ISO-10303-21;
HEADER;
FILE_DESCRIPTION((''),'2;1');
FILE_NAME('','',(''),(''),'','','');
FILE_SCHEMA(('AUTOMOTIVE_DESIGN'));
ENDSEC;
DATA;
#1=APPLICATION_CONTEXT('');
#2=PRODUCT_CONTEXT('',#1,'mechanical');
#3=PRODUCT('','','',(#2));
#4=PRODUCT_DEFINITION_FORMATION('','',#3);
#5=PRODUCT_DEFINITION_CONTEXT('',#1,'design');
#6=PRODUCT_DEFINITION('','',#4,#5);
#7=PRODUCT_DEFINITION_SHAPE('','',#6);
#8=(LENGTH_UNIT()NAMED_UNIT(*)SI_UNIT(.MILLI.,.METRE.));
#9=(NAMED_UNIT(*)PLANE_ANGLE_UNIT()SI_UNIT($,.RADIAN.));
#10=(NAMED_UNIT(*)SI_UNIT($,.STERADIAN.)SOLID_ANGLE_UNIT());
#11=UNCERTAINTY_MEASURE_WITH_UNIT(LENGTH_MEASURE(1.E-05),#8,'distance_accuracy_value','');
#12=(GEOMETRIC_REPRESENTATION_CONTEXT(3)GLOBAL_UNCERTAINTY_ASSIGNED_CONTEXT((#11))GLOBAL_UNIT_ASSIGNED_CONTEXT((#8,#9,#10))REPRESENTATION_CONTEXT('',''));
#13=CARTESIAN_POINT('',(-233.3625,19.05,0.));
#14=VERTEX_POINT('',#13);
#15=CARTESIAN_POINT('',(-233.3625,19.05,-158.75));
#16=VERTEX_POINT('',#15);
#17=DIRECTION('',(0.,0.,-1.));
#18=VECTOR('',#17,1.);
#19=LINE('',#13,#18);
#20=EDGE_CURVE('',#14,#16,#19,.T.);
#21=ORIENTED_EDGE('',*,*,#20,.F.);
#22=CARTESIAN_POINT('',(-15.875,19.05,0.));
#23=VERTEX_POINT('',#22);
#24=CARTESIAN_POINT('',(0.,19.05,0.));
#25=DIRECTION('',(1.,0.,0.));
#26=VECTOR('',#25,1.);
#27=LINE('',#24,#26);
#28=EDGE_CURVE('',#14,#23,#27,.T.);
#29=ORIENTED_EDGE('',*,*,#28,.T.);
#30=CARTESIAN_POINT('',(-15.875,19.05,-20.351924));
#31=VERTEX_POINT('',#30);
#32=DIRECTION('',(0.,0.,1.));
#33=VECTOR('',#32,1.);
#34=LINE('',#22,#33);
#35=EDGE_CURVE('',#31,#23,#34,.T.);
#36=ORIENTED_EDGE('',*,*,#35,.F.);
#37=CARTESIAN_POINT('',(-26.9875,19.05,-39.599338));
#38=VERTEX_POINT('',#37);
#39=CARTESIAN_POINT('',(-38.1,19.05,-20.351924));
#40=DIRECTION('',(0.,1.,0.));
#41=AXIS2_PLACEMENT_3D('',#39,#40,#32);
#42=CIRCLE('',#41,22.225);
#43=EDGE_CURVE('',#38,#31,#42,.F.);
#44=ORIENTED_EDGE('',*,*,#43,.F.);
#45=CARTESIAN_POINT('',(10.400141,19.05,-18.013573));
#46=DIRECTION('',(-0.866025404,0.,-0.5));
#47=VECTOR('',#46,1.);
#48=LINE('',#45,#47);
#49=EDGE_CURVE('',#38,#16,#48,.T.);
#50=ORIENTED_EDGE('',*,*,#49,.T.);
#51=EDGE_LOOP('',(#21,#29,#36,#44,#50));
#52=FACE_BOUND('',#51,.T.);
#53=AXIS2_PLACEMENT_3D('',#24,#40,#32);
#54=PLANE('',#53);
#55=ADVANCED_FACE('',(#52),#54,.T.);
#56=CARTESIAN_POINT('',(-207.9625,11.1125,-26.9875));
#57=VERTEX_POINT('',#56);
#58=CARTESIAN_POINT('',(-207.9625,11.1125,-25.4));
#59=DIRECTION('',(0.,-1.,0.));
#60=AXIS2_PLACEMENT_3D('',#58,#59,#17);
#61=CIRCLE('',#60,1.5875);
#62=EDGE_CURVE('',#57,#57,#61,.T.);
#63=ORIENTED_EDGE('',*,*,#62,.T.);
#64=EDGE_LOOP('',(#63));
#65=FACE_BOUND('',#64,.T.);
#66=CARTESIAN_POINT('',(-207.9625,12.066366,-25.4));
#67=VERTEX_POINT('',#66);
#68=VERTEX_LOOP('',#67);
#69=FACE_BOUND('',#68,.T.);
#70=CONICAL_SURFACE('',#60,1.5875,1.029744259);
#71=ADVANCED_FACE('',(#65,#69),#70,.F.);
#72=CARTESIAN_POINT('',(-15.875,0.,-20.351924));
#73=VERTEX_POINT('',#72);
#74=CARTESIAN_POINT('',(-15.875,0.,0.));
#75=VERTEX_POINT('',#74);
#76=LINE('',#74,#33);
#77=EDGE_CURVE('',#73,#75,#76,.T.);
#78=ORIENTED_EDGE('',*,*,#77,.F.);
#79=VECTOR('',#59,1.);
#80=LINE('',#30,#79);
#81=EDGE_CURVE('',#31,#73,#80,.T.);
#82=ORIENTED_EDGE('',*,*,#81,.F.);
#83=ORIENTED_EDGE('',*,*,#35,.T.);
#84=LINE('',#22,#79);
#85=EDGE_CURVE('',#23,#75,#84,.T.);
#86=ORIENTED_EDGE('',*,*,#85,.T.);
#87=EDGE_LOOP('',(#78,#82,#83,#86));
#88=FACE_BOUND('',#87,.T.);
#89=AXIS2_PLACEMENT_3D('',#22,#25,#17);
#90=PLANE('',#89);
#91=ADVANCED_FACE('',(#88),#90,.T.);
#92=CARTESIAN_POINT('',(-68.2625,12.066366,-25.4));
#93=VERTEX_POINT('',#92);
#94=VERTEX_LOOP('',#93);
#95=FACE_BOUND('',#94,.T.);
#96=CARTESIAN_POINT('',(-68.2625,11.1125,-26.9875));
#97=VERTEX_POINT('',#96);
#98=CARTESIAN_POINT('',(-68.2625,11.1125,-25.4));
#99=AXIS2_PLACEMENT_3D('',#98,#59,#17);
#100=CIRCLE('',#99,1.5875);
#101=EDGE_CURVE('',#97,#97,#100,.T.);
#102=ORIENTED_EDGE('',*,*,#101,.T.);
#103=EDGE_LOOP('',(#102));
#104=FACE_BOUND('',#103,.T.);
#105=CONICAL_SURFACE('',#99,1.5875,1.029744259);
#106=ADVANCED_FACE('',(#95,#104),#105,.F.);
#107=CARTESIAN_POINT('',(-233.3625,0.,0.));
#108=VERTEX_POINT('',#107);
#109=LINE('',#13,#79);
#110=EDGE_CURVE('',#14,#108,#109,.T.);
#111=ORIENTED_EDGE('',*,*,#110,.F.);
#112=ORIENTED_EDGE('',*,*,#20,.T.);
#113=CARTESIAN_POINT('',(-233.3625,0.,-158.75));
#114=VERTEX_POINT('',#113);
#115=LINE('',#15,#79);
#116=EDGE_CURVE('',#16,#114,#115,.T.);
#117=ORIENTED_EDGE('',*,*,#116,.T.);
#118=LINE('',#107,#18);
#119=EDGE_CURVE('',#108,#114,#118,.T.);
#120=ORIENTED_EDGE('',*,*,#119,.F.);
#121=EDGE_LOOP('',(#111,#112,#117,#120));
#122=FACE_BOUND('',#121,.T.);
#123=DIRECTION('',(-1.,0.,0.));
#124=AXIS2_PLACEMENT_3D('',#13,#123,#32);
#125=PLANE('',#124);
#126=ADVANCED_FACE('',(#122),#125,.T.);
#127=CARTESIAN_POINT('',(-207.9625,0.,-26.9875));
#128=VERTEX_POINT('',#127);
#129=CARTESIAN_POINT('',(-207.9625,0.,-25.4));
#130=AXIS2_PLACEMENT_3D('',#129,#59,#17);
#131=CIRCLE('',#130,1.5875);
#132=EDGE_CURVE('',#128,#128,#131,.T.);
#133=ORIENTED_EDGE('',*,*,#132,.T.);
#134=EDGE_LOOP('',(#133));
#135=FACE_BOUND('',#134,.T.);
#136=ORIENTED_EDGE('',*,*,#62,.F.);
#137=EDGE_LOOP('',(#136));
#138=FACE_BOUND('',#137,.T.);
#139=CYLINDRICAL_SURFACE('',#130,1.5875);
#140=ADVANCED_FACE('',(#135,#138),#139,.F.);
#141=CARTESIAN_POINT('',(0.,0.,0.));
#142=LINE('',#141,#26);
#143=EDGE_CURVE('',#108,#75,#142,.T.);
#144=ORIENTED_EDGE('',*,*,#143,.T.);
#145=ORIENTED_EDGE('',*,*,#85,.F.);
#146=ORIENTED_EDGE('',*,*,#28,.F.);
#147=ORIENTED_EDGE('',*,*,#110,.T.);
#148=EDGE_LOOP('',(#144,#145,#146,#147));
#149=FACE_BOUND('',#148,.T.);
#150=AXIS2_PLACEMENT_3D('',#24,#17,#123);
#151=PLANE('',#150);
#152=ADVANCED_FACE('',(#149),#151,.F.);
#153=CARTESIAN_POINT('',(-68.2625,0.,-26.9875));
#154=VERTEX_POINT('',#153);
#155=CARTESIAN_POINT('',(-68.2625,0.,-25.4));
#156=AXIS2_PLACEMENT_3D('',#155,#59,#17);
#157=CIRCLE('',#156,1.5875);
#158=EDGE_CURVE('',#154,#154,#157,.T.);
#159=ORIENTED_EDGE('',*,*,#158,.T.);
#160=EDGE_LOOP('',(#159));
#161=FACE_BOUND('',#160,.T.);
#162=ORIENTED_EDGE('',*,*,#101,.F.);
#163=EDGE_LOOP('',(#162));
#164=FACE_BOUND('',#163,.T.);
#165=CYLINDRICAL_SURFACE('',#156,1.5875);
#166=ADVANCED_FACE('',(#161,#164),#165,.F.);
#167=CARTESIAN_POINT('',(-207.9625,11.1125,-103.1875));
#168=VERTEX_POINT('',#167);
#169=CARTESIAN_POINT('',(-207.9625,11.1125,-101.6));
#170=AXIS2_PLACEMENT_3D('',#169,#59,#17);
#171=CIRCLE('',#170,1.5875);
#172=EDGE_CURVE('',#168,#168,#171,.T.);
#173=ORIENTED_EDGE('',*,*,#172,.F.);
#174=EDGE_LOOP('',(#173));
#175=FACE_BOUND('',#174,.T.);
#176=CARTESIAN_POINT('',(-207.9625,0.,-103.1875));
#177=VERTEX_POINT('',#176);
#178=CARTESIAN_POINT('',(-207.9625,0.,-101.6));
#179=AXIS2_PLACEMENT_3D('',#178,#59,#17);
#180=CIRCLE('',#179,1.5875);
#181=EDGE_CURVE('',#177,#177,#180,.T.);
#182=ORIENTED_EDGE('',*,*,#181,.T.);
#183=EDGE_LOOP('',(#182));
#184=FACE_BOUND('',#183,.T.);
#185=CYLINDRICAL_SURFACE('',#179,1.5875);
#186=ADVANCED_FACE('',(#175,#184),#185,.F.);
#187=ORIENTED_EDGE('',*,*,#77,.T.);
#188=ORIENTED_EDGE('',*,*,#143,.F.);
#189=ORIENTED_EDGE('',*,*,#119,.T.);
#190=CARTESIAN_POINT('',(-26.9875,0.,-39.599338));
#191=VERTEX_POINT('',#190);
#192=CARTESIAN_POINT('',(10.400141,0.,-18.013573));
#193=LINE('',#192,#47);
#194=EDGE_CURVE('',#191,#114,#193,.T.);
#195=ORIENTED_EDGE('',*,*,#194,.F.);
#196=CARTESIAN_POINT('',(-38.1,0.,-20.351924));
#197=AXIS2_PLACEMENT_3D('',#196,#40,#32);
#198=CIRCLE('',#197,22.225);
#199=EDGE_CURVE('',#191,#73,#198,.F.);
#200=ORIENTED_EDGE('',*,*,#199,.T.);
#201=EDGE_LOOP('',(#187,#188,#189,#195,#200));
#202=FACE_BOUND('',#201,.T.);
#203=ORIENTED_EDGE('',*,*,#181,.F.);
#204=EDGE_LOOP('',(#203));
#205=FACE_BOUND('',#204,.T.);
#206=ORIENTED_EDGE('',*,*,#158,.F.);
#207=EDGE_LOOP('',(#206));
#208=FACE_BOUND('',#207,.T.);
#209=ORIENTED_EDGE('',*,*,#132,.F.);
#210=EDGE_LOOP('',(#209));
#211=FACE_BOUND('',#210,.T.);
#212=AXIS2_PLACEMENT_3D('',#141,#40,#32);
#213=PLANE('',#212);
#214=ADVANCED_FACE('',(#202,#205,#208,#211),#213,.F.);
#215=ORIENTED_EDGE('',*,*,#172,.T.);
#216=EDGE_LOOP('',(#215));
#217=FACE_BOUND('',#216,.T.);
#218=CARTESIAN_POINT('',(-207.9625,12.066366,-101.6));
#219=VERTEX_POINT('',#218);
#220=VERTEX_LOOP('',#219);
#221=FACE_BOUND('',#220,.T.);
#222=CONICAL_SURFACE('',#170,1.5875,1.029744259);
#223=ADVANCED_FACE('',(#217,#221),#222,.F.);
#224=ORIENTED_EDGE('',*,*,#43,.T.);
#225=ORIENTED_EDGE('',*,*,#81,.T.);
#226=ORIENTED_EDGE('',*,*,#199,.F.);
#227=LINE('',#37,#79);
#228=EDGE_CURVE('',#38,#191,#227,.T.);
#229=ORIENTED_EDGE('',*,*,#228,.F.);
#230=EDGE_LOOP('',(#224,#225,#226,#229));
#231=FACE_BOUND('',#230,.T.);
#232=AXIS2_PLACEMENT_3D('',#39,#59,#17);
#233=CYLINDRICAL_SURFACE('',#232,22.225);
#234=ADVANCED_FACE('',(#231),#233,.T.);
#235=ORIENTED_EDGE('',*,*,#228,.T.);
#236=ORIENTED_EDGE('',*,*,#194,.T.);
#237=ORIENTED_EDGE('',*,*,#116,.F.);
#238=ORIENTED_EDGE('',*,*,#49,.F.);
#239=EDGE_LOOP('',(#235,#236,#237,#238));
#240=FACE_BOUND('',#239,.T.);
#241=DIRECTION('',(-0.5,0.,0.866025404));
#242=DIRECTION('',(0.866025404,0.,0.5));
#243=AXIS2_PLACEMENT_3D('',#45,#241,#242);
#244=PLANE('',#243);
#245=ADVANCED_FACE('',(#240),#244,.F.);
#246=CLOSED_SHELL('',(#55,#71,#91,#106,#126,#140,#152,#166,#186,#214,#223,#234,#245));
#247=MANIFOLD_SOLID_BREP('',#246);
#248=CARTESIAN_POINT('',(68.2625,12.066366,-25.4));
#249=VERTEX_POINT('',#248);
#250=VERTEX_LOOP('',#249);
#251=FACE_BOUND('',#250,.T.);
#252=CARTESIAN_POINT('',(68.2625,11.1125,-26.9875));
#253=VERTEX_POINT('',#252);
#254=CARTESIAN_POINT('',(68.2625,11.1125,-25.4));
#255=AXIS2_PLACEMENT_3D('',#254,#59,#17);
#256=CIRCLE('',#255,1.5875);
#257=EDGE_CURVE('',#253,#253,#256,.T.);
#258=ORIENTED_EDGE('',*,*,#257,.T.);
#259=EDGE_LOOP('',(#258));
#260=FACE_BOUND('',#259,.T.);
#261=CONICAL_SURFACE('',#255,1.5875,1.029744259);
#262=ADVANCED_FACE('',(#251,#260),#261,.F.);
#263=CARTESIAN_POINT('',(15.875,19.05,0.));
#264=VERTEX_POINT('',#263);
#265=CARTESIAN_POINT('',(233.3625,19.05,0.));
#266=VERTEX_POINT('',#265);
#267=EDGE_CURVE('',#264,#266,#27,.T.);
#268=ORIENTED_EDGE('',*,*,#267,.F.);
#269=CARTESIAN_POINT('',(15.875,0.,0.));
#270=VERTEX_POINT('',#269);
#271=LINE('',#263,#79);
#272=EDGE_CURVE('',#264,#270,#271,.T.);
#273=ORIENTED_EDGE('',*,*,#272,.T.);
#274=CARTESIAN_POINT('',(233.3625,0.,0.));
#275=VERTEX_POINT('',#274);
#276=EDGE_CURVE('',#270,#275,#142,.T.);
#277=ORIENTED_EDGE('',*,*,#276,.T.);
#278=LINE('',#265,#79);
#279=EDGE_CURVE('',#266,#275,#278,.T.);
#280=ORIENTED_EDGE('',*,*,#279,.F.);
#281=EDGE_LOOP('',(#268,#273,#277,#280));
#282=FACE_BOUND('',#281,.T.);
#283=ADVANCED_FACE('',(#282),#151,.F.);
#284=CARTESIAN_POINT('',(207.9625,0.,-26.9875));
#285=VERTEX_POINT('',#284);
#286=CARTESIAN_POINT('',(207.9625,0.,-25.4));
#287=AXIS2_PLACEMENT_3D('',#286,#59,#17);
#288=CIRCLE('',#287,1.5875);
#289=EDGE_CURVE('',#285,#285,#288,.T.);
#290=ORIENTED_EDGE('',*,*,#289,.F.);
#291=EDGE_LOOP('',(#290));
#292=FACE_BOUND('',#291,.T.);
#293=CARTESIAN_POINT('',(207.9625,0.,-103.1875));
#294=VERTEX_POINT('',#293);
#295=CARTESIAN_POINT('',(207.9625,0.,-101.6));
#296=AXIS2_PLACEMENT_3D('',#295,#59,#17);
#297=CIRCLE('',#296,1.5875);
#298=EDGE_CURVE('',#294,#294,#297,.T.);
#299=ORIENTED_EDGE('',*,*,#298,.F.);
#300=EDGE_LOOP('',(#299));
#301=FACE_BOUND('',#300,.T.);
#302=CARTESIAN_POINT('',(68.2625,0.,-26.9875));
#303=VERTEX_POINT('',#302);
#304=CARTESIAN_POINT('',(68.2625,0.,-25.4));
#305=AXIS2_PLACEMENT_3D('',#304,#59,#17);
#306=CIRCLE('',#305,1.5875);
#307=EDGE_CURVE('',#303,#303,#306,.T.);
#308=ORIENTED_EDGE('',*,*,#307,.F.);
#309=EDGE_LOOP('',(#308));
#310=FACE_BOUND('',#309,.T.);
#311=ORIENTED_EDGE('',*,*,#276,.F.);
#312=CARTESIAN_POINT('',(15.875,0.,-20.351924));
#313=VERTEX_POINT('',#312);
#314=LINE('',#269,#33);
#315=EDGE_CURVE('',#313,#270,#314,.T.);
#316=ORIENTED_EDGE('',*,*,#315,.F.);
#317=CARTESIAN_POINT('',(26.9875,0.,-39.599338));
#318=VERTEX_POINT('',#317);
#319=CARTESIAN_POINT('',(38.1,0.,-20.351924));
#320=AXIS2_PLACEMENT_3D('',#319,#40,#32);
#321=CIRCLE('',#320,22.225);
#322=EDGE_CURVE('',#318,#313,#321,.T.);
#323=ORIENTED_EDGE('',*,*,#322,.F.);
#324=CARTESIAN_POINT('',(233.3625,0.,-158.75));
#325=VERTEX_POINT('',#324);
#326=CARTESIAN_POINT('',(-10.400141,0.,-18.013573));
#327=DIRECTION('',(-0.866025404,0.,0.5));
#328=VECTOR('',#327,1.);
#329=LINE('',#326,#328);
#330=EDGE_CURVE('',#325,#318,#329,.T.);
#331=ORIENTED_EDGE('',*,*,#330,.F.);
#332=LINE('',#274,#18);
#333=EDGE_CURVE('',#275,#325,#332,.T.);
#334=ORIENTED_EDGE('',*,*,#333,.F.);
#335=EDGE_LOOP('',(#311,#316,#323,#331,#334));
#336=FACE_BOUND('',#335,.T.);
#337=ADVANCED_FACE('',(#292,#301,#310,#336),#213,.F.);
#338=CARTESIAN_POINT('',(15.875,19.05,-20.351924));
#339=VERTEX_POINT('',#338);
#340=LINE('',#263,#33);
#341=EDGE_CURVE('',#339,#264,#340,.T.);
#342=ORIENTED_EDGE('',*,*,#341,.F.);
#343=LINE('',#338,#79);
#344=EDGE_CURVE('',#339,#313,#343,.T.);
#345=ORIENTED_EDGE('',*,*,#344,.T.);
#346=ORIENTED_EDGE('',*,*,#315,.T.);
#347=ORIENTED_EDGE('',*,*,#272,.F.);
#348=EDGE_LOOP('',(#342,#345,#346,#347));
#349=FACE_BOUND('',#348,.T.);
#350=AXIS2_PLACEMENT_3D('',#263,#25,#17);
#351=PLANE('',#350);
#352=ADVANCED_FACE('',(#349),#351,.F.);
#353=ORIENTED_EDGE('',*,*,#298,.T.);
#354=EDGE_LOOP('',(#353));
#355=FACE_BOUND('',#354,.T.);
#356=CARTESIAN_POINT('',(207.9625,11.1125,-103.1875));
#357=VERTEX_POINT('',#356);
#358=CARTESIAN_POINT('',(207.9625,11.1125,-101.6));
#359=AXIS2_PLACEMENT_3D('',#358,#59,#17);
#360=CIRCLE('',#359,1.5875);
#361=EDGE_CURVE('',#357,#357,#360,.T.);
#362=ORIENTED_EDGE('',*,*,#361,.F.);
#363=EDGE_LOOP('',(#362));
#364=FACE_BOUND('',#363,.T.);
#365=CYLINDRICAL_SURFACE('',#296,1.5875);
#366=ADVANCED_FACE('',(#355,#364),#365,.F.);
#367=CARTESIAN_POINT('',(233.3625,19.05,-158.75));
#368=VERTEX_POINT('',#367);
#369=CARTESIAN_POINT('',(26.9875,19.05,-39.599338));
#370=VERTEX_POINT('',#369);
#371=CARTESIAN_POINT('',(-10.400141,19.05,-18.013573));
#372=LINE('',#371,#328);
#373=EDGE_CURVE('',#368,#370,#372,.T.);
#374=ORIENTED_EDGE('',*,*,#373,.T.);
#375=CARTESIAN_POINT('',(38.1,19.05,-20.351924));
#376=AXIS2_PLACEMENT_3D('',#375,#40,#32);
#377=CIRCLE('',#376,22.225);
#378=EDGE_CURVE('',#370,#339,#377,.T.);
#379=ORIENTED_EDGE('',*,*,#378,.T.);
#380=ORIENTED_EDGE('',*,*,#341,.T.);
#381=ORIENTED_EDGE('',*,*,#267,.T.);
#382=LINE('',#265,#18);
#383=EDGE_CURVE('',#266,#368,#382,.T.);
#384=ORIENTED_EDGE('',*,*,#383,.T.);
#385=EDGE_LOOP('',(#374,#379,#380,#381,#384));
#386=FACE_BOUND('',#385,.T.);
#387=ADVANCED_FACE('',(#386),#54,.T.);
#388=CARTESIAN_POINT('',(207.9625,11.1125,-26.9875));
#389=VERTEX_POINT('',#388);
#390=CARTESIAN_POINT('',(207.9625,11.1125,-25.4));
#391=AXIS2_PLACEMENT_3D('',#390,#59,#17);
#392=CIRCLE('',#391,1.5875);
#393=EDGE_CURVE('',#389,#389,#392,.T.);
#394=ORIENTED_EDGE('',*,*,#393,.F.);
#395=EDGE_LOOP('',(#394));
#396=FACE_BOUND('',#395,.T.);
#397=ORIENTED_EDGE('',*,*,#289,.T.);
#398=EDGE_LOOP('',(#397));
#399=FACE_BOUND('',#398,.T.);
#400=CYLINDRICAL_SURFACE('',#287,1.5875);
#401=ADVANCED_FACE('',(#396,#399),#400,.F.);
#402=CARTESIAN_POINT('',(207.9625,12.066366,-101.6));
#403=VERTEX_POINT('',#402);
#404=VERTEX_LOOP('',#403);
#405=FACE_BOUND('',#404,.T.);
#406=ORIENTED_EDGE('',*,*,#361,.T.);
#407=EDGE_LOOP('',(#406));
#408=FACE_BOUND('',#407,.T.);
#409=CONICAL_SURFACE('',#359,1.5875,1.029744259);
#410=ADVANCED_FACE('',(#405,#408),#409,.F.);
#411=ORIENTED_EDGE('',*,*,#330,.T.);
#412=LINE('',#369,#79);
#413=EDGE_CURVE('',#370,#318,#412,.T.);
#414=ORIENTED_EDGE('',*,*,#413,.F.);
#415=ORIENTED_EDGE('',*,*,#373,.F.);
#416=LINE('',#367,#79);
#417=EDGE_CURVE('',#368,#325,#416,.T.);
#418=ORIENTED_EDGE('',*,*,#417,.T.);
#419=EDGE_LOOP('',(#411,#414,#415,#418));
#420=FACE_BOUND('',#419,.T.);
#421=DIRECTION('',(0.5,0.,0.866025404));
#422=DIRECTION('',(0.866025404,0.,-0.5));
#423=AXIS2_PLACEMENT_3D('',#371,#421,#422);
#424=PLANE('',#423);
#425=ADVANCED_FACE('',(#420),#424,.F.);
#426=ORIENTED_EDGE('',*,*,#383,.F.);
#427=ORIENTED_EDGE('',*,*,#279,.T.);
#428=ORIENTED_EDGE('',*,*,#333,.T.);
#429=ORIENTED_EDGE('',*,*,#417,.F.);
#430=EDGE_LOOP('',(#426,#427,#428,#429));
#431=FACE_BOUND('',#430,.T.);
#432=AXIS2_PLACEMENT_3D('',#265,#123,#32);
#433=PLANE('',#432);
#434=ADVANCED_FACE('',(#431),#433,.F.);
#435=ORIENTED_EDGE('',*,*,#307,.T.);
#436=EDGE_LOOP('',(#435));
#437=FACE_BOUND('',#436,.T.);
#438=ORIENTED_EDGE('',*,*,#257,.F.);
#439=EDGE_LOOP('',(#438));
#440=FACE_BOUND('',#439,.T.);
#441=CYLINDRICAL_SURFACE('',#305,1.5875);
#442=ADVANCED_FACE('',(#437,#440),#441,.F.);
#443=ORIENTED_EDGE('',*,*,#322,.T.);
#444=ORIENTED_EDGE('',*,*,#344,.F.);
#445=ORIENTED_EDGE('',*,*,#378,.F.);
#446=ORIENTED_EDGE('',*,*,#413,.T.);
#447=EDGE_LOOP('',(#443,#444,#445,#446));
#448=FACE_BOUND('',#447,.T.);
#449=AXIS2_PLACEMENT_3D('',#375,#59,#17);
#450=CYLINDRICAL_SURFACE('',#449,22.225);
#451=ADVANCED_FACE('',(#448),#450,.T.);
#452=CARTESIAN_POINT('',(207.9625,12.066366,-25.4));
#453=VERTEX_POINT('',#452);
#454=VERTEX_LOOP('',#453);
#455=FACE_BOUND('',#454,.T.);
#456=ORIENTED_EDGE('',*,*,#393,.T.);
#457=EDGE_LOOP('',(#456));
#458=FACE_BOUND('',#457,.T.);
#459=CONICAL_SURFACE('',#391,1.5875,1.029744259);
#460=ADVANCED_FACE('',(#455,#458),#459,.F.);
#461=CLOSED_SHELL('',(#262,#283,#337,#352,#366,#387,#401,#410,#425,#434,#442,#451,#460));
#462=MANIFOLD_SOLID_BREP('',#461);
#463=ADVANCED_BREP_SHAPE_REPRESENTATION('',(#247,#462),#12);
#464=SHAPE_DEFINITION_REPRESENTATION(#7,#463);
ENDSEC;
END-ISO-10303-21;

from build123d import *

# Parameters (mm, degrees)
BOSS_EXTRUDE1_DEPTH                   = 19.05
BOSS_EXTRUDE1_2_DEPTH                 = 19.05
F_1_8_0_125_DIAMETER_HOLE1_AT_2_COUNT = 2
F_1_8_0_125_DIAMETER_HOLE1_AT_2_PITCH = 76.2
F_1_8_0_125_DIAMETER_HOLE1_AT_3_COUNT = 2
F_1_8_0_125_DIAMETER_HOLE1_AT_3_PITCH = 159.130543894
F_1_8_0_125_DIAMETER_HOLE1_AT_4_COUNT = 2
F_1_8_0_125_DIAMETER_HOLE1_AT_4_PITCH = 286.542650621
F_1_8_0_125_DIAMETER_HOLE1_AT_5_COUNT = 2
F_1_8_0_125_DIAMETER_HOLE1_AT_5_PITCH = 422.847544187
F_1_8_0_125_DIAMETER_HOLE1_AT_6_COUNT = 2
F_1_8_0_125_DIAMETER_HOLE1_AT_6_PITCH = 415.925


with BuildPart() as part:
    # Sketch1 → Boss-Extrude1 (new body)
    with BuildSketch(Plane(origin=(0, 0, 0), x_dir=(1, 0, 0), z_dir=(0, 1, 0))):
        with BuildLine():
            ThreePointArc((-26.9875, 39.599338196), (-18.852585401, 31.464423597), (-15.875, 20.351923597))
            Line((-15.875, 20.351923597), (-15.875, 0))
            Line((-15.875, 0), (-233.3625, 0))
            Line((-233.3625, 0), (-233.3625, 158.75))
            Line((-233.3625, 158.75), (-26.9875, 39.599338196))
        make_face()
    extrude(amount=BOSS_EXTRUDE1_DEPTH)


with BuildPart() as body_2:
    # Sketch1 → Boss-Extrude1 2 (new body)
    with BuildSketch(Plane(origin=(0, 0, 0), x_dir=(1, 0, 0), z_dir=(0, 1, 0))):
        with BuildLine():
            Line((233.3625, 158.75), (26.9875, 39.599338196))
            ThreePointArc((26.9875, 39.599338196), (18.852585401, 31.464423597), (15.875, 20.351923597))
            Line((15.875, 20.351923597), (15.875, 0))
            Line((15.875, 0), (233.3625, 0))
            Line((233.3625, 0), (233.3625, 158.75))
        make_face()
    extrude(amount=BOSS_EXTRUDE1_2_DEPTH)

    # Sketch3 → 1/8 (0.125) Diameter Hole1 (revolve, cut)
    with BuildSketch(Plane(origin=(207.9625, 0, -101.6), x_dir=(0, 0, -1), z_dir=(1, 0, 0))):
        Polygon((0, 0), (0, 12.066366233), (1.5875, 11.1125), (1.5875, 0), align=None)
    f_1_8_0_125_diameter_hole1 = revolve(axis=Axis((207.9625, -6.35, -101.6), (0, 1, 0)), mode=Mode.SUBTRACT)

    # 1/8 (0.125) Diameter Hole1 at 2: 1/8 (0.125) Diameter Hole1 ×2
    with Locations(*[(0, 0, i * F_1_8_0_125_DIAMETER_HOLE1_AT_2_PITCH) for i in range(1, F_1_8_0_125_DIAMETER_HOLE1_AT_2_COUNT)]):
        add(f_1_8_0_125_diameter_hole1, mode=Mode.SUBTRACT)

    # 1/8 (0.125) Diameter Hole1 at 3: 1/8 (0.125) Diameter Hole1 ×2
    with Locations(*[Vector(-0.8778955729143845, 0, 0.4788521306805733) * (i * F_1_8_0_125_DIAMETER_HOLE1_AT_3_PITCH) for i in range(1, F_1_8_0_125_DIAMETER_HOLE1_AT_3_COUNT)]):
        add(f_1_8_0_125_diameter_hole1, mode=Mode.SUBTRACT)


with BuildPart() as part_1:
    add(part.part)

    # 1/8 (0.125) Diameter Hole1 at 4: 1/8 (0.125) Diameter Hole1 ×2
    with Locations(*[Vector(-0.9639926182060737, 0, 0.2659289981258134) * (i * F_1_8_0_125_DIAMETER_HOLE1_AT_4_PITCH) for i in range(1, F_1_8_0_125_DIAMETER_HOLE1_AT_4_COUNT)]):
        add(f_1_8_0_125_diameter_hole1, mode=Mode.SUBTRACT)

    # 1/8 (0.125) Diameter Hole1 at 5: 1/8 (0.125) Diameter Hole1 ×2
    with Locations(*[Vector(-0.9836287468564193, 0, 0.1802067933172066) * (i * F_1_8_0_125_DIAMETER_HOLE1_AT_5_PITCH) for i in range(1, F_1_8_0_125_DIAMETER_HOLE1_AT_5_COUNT)]):
        add(f_1_8_0_125_diameter_hole1, mode=Mode.SUBTRACT)

    # 1/8 (0.125) Diameter Hole1 at 6: 1/8 (0.125) Diameter Hole1 ×2
    with Locations(*[(-i * F_1_8_0_125_DIAMETER_HOLE1_AT_6_PITCH, 0, 0) for i in range(1, F_1_8_0_125_DIAMETER_HOLE1_AT_6_COUNT)]):
        add(f_1_8_0_125_diameter_hole1, mode=Mode.SUBTRACT)


solid = Compound([body_2.part, part_1.part])
